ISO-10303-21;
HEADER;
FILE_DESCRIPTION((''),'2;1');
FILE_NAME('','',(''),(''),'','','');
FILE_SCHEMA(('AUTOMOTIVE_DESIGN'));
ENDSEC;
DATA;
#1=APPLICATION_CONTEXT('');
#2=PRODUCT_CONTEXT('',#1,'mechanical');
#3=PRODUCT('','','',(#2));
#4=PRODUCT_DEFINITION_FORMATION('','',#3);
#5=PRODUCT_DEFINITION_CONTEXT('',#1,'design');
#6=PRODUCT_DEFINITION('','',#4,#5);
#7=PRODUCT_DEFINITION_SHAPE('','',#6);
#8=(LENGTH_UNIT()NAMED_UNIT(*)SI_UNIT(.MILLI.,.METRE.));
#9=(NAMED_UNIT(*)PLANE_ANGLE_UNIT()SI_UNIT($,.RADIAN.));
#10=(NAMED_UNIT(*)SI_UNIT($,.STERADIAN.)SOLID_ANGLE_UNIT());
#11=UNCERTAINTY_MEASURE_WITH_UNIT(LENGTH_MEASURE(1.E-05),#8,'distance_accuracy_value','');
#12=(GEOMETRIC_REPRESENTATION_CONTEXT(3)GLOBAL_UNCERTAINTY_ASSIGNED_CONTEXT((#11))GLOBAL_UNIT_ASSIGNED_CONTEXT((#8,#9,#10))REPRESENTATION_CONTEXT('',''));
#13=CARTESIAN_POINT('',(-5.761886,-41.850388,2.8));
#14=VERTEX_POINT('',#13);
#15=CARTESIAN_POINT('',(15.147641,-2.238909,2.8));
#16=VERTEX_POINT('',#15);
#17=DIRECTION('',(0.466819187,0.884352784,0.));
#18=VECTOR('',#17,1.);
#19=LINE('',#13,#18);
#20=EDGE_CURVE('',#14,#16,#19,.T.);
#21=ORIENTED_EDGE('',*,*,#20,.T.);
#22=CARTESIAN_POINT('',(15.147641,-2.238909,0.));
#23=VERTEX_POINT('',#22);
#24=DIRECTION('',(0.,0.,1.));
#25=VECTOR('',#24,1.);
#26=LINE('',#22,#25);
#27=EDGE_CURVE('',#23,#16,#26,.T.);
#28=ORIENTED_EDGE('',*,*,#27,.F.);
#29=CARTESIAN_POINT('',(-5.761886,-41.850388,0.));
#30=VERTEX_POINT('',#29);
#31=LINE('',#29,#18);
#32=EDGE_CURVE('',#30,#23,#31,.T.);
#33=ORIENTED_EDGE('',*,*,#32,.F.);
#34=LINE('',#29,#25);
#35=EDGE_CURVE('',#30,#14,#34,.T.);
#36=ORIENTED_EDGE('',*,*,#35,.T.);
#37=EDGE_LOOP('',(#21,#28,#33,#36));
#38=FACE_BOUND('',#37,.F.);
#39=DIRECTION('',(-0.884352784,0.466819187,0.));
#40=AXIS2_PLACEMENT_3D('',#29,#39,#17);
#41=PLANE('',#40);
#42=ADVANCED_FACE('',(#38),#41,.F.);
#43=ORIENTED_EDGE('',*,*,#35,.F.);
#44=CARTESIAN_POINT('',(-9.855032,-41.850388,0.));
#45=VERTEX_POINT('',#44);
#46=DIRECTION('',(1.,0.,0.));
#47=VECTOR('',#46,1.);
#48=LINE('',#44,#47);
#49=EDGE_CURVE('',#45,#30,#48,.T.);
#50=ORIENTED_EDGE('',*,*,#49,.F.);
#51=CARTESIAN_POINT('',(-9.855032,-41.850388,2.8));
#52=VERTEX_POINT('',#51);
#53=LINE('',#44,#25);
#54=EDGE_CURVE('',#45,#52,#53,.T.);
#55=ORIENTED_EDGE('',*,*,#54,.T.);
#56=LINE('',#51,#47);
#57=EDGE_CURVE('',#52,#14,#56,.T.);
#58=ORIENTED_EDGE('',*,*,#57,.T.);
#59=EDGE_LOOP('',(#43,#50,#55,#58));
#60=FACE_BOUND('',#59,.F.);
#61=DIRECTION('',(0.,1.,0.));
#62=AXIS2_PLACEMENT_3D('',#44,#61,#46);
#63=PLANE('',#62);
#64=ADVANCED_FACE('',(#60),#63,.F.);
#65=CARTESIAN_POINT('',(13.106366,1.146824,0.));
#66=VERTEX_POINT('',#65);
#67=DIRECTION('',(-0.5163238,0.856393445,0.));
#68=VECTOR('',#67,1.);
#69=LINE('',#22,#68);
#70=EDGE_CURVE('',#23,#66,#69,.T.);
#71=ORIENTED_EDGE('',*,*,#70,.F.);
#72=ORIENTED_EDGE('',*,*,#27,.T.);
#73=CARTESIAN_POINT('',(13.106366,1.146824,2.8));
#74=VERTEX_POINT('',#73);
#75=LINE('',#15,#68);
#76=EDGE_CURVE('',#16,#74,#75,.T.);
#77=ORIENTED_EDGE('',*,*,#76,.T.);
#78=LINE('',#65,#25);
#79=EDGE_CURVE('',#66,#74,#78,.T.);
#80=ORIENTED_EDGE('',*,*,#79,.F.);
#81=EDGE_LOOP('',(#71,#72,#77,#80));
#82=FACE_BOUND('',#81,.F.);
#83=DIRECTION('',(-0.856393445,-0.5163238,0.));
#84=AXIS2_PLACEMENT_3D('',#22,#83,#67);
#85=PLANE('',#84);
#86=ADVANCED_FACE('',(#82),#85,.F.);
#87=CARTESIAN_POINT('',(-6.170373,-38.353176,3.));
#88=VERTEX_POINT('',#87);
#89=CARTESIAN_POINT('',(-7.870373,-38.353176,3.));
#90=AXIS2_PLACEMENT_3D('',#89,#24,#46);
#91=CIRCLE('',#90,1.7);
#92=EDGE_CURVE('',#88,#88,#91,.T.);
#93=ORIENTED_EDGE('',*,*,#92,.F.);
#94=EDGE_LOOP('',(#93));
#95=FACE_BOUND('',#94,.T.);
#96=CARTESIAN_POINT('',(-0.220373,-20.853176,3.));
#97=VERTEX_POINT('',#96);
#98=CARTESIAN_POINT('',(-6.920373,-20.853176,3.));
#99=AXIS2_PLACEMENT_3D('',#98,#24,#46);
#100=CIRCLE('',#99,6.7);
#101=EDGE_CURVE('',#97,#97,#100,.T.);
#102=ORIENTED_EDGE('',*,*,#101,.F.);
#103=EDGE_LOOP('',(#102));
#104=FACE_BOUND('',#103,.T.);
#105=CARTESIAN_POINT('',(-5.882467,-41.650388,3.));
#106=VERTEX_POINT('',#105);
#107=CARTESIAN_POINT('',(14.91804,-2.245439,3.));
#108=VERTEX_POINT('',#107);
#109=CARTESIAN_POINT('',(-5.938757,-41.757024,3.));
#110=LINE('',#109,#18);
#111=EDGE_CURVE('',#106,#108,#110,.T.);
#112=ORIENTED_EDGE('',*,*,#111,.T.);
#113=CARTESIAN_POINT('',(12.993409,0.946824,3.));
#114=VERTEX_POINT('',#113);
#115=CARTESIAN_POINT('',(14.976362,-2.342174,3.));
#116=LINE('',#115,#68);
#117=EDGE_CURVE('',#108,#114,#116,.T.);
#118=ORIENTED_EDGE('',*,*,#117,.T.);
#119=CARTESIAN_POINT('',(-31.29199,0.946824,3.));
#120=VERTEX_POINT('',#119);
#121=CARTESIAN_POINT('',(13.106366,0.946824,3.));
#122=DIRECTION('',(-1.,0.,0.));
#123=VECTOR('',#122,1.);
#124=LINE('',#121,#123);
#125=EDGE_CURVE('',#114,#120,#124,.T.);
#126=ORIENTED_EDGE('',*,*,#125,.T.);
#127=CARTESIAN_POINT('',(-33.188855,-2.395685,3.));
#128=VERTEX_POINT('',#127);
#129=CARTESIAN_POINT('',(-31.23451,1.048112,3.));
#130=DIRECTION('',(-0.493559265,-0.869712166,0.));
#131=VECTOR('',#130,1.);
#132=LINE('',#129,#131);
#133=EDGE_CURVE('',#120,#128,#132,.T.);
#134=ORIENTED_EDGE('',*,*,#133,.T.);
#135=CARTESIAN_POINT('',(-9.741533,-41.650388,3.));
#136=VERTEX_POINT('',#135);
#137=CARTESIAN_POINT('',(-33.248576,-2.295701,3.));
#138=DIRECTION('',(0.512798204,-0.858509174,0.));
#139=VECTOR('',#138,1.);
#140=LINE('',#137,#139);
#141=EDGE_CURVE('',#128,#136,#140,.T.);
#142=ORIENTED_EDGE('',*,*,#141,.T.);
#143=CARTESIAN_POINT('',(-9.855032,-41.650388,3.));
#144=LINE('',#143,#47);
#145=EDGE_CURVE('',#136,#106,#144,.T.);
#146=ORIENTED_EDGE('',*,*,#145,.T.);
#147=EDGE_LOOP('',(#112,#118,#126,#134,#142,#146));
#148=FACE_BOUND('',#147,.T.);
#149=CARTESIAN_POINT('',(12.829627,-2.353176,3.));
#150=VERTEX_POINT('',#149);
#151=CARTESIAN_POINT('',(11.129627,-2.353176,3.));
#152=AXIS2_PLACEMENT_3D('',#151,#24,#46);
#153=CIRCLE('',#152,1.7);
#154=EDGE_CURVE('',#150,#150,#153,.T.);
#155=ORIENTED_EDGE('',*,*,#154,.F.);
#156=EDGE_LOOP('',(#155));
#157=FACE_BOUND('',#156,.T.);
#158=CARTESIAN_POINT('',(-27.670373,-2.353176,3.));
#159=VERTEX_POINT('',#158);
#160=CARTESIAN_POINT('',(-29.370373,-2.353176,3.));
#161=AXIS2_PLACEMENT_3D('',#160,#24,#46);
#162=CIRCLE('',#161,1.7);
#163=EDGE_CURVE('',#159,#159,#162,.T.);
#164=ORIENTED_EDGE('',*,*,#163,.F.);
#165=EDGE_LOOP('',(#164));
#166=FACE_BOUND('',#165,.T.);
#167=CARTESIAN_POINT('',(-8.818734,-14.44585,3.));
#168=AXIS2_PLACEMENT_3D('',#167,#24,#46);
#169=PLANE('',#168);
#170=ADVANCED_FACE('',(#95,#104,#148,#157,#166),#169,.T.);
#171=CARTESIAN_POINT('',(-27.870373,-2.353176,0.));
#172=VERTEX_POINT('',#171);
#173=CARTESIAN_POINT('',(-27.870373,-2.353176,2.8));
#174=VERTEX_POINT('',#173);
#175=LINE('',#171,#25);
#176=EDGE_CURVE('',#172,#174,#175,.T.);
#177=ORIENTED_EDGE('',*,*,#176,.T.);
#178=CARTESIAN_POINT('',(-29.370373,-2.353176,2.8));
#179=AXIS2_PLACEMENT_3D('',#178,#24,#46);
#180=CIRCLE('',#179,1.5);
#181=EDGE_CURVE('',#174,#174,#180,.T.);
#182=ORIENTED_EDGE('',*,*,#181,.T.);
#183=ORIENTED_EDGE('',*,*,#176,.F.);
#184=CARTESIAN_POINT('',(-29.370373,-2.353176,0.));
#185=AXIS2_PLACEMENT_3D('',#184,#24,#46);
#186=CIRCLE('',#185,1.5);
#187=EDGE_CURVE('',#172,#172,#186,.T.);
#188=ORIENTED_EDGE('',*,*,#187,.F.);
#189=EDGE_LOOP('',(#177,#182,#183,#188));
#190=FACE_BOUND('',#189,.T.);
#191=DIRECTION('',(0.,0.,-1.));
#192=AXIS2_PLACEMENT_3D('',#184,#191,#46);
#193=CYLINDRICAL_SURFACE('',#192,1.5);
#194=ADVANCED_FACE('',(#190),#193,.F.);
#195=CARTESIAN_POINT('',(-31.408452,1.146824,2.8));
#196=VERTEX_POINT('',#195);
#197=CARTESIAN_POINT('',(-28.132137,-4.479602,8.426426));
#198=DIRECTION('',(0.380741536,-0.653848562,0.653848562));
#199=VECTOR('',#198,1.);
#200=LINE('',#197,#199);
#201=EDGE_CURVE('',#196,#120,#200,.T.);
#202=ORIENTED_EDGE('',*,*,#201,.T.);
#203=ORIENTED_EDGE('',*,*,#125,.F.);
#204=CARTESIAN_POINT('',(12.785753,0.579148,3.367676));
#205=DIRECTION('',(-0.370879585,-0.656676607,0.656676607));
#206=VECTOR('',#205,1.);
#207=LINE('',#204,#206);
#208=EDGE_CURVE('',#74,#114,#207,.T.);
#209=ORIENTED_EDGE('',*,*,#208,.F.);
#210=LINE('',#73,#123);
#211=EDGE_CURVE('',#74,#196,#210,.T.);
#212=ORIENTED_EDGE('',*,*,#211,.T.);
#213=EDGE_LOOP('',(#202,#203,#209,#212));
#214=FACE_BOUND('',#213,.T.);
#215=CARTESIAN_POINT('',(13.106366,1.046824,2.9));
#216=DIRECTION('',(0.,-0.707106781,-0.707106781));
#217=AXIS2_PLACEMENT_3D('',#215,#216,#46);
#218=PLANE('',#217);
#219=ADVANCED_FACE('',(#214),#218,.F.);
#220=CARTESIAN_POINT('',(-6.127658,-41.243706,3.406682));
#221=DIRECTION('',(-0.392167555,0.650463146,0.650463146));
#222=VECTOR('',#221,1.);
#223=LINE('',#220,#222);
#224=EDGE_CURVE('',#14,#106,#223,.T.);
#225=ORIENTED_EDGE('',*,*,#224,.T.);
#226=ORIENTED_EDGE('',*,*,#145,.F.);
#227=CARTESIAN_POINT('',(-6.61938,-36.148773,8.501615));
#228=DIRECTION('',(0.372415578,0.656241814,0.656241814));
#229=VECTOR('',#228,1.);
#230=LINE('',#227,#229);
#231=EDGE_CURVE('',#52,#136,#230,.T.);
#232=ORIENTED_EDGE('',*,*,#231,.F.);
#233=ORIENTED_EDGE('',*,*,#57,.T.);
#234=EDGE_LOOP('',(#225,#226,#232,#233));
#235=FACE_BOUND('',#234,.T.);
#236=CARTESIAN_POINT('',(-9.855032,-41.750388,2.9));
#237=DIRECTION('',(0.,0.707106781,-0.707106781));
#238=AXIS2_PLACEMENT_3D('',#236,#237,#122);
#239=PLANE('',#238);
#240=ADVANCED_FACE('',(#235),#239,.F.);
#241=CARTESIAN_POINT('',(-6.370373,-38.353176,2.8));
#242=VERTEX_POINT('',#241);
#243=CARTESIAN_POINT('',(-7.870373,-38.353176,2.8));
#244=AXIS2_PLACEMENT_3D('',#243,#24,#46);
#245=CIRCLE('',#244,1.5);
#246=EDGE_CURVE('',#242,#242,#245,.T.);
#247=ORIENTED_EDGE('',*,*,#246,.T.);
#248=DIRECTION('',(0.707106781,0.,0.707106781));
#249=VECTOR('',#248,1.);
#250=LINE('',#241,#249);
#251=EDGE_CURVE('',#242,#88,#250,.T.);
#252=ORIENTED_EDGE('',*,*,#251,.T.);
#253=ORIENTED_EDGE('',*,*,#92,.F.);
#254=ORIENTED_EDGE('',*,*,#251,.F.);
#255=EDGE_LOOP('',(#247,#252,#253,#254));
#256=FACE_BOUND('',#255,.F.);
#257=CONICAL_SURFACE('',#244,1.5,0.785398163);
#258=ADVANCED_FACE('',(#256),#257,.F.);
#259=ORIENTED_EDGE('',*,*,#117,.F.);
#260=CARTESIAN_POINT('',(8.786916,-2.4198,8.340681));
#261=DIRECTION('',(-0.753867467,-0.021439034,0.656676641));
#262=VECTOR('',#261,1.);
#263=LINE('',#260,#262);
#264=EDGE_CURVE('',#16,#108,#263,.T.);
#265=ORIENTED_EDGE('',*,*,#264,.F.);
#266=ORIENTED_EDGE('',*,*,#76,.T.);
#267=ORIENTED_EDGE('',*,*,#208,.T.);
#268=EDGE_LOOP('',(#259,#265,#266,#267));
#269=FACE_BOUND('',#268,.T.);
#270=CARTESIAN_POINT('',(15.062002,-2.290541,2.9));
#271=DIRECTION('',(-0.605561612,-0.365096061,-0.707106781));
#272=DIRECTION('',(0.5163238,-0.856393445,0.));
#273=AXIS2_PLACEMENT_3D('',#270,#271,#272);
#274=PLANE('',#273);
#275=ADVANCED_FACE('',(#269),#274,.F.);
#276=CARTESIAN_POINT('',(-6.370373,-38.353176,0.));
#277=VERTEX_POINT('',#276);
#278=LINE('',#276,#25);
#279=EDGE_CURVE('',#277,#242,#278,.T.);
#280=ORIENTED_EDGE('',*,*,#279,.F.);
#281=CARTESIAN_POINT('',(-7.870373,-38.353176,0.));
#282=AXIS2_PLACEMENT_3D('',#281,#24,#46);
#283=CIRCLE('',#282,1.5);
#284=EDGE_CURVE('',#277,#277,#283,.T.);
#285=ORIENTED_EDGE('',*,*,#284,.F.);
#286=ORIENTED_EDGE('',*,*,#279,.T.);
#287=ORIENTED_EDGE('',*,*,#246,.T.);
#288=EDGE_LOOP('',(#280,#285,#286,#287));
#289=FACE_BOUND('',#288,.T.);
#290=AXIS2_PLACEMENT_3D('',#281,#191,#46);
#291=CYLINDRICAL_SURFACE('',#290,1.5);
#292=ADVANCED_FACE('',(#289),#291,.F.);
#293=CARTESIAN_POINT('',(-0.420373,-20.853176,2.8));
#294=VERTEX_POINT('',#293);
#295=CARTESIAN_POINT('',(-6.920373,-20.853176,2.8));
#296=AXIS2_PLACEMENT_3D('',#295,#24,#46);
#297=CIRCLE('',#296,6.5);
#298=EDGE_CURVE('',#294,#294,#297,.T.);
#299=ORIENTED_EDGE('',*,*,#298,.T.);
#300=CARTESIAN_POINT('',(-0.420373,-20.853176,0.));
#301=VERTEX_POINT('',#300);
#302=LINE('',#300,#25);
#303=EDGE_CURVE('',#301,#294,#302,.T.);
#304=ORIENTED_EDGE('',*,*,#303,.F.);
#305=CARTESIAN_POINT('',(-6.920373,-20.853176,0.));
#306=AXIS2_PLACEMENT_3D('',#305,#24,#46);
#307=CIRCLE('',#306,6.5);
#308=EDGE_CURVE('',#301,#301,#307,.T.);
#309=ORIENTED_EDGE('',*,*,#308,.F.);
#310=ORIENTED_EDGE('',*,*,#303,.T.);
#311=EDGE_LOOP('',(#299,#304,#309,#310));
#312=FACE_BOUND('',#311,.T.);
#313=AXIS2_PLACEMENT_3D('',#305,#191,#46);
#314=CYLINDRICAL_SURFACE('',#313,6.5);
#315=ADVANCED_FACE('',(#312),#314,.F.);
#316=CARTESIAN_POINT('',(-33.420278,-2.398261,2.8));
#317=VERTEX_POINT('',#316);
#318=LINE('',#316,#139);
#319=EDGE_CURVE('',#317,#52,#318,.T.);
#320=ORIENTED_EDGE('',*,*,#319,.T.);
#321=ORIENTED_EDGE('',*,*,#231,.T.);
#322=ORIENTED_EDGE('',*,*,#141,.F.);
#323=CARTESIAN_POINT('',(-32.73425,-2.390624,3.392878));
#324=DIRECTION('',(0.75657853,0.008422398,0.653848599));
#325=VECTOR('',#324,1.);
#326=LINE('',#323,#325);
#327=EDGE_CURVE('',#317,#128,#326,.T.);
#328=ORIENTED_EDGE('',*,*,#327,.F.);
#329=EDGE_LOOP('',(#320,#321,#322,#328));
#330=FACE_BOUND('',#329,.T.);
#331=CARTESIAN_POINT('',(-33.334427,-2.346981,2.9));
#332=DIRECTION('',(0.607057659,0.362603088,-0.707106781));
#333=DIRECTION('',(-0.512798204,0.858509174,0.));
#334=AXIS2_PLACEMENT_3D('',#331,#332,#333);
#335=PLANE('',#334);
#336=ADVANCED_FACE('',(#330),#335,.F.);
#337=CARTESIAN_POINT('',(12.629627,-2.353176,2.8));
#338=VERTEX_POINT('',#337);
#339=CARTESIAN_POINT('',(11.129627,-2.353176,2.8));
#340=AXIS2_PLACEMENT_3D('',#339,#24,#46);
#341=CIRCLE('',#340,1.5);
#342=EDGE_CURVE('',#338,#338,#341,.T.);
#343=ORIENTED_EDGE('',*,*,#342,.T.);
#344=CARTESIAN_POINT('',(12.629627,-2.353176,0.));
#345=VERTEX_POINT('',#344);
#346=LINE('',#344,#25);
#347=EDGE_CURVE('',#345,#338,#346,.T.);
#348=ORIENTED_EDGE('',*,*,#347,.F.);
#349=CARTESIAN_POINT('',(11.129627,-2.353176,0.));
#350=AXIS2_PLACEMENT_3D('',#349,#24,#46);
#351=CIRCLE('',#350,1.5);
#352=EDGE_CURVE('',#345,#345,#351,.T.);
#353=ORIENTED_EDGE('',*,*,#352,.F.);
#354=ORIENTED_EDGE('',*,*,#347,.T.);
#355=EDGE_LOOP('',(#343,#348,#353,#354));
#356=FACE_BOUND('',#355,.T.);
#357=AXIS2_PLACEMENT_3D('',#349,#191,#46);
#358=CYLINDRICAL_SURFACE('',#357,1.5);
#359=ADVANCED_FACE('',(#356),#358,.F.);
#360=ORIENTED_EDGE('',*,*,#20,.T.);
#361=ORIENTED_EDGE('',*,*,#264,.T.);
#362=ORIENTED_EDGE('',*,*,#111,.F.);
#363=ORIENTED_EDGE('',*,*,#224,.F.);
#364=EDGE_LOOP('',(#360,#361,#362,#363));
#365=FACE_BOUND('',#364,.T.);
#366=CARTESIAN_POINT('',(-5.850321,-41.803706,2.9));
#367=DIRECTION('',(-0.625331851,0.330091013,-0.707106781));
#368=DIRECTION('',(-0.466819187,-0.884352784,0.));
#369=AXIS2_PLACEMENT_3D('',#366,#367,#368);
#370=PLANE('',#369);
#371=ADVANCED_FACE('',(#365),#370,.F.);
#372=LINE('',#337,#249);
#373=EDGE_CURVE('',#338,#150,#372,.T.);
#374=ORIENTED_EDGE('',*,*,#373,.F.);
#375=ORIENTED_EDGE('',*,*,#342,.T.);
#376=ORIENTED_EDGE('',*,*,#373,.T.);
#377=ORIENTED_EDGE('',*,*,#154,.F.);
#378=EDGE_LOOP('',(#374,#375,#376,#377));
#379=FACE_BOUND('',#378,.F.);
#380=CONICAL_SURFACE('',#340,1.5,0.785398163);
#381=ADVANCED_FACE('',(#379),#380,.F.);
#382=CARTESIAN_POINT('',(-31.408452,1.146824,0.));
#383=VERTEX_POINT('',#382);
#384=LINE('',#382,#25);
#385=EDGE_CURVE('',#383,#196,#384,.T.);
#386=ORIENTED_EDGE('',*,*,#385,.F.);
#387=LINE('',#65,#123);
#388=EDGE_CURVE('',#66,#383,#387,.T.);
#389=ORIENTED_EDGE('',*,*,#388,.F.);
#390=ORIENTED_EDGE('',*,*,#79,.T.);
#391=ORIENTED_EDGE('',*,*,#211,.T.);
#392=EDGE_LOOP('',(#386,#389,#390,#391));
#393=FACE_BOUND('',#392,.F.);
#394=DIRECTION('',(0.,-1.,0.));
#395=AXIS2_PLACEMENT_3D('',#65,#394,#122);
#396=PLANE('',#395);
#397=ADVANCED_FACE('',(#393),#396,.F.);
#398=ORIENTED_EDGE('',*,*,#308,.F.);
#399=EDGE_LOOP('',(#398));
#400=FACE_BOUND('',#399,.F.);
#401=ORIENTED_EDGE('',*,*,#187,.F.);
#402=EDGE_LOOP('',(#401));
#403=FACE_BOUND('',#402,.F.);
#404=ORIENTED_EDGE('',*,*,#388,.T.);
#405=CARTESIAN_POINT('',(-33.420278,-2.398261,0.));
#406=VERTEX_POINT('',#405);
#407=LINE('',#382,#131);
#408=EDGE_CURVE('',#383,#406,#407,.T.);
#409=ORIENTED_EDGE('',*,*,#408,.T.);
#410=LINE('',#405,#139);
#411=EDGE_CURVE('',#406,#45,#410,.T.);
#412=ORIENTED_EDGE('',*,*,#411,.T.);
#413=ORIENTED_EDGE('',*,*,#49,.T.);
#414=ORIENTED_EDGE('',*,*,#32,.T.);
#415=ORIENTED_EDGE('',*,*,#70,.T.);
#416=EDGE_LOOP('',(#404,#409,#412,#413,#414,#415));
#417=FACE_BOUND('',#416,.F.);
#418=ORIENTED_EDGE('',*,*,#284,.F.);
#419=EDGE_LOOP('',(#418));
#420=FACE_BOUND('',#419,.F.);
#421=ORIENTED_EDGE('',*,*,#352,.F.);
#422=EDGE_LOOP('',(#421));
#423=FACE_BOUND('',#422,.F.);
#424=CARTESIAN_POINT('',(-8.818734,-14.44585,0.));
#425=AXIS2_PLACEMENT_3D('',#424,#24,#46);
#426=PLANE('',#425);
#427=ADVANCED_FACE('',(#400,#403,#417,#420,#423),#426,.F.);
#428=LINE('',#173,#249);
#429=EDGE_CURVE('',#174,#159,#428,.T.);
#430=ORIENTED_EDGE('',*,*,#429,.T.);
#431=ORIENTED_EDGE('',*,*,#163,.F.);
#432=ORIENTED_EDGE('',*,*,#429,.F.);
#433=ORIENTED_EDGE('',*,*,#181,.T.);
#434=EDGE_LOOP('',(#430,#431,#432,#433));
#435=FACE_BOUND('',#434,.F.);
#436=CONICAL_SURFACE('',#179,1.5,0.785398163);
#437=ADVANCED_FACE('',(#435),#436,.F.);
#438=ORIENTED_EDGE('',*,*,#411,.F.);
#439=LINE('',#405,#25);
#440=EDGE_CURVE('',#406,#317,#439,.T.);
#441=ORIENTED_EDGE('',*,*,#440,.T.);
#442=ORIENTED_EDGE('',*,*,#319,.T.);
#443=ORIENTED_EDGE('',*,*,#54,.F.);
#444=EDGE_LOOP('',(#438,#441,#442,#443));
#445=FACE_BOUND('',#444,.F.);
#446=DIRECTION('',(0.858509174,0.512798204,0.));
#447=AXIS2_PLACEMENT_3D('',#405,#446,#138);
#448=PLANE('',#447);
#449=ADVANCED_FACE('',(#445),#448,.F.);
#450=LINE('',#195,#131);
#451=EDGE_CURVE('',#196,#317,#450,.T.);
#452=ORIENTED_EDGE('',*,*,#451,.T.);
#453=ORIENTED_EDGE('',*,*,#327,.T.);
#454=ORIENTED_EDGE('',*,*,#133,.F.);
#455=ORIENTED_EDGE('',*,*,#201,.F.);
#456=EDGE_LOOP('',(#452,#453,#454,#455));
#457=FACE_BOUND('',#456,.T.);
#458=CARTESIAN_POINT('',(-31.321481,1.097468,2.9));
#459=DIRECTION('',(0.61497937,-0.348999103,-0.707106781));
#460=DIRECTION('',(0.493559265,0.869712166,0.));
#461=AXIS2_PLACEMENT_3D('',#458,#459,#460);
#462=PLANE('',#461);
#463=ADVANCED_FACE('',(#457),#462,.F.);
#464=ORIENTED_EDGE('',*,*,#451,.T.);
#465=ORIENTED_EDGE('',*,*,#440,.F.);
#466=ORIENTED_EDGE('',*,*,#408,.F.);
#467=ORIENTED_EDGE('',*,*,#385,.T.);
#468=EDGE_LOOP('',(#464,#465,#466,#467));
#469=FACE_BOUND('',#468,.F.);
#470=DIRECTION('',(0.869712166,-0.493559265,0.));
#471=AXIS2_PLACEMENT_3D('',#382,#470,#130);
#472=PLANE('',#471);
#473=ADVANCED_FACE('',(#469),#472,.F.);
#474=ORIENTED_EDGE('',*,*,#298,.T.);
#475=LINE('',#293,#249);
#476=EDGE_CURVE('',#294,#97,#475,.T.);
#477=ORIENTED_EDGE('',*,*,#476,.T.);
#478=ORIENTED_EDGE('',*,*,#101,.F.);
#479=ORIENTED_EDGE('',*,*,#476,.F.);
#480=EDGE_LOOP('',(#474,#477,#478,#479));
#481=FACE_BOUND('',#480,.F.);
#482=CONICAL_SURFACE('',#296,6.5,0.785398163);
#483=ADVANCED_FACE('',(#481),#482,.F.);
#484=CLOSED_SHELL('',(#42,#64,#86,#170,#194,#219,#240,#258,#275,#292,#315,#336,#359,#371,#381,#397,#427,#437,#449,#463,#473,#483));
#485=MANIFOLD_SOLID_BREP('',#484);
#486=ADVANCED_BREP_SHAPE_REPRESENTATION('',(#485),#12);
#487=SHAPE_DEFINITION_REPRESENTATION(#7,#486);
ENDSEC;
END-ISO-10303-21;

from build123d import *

# Parameters (mm, degrees)
F0_R     = 1.5
F0_R_2   = 6.5
F1_DEPTH = 3
F2_SIZE  = 0.2


with BuildPart() as f1:
    # F0 (on Top) → F1 (new body)
    with BuildSketch(Plane.XY):
        Polygon((-5.761886, -41.850388), (15.147641, -2.238909), (13.106366, 1.146824), (-31.408452, 1.146824), (-33.420278, -2.398261), (-9.855032, -41.850388), align=None)
        with Locations((-7.870373, -38.353176)):
            Circle(F0_R, mode=Mode.SUBTRACT)
        with Locations((-6.920373, -20.853176)):
            Circle(F0_R_2, mode=Mode.SUBTRACT)
        with Locations((-29.370373, -2.353176)):
            Circle(F0_R, mode=Mode.SUBTRACT)
        with Locations((11.129627, -2.353176)):
            Circle(F0_R, mode=Mode.SUBTRACT)
    extrude(amount=F1_DEPTH)

    # F2
    f2_edges = [f1.edges().sort_by_distance(p)[0] for p in [
        (-21.637655, -22.124324, 3),
        (-7.808459, -41.850388, 3),
        (4.692878, -22.044649, 3),
        (14.127004, -0.546043, 3),
        (-9.151043, 1.146824, 3),
        (-32.414365, -0.625718, 3),
        (-9.370373, -38.353176, 3),
        (-13.420373, -20.853176, 3),
        (-30.870373, -2.353176, 3),
        (9.629627, -2.353176, 3),
    ]]
    chamfer(f2_edges, length=F2_SIZE)


solid = f1.part
